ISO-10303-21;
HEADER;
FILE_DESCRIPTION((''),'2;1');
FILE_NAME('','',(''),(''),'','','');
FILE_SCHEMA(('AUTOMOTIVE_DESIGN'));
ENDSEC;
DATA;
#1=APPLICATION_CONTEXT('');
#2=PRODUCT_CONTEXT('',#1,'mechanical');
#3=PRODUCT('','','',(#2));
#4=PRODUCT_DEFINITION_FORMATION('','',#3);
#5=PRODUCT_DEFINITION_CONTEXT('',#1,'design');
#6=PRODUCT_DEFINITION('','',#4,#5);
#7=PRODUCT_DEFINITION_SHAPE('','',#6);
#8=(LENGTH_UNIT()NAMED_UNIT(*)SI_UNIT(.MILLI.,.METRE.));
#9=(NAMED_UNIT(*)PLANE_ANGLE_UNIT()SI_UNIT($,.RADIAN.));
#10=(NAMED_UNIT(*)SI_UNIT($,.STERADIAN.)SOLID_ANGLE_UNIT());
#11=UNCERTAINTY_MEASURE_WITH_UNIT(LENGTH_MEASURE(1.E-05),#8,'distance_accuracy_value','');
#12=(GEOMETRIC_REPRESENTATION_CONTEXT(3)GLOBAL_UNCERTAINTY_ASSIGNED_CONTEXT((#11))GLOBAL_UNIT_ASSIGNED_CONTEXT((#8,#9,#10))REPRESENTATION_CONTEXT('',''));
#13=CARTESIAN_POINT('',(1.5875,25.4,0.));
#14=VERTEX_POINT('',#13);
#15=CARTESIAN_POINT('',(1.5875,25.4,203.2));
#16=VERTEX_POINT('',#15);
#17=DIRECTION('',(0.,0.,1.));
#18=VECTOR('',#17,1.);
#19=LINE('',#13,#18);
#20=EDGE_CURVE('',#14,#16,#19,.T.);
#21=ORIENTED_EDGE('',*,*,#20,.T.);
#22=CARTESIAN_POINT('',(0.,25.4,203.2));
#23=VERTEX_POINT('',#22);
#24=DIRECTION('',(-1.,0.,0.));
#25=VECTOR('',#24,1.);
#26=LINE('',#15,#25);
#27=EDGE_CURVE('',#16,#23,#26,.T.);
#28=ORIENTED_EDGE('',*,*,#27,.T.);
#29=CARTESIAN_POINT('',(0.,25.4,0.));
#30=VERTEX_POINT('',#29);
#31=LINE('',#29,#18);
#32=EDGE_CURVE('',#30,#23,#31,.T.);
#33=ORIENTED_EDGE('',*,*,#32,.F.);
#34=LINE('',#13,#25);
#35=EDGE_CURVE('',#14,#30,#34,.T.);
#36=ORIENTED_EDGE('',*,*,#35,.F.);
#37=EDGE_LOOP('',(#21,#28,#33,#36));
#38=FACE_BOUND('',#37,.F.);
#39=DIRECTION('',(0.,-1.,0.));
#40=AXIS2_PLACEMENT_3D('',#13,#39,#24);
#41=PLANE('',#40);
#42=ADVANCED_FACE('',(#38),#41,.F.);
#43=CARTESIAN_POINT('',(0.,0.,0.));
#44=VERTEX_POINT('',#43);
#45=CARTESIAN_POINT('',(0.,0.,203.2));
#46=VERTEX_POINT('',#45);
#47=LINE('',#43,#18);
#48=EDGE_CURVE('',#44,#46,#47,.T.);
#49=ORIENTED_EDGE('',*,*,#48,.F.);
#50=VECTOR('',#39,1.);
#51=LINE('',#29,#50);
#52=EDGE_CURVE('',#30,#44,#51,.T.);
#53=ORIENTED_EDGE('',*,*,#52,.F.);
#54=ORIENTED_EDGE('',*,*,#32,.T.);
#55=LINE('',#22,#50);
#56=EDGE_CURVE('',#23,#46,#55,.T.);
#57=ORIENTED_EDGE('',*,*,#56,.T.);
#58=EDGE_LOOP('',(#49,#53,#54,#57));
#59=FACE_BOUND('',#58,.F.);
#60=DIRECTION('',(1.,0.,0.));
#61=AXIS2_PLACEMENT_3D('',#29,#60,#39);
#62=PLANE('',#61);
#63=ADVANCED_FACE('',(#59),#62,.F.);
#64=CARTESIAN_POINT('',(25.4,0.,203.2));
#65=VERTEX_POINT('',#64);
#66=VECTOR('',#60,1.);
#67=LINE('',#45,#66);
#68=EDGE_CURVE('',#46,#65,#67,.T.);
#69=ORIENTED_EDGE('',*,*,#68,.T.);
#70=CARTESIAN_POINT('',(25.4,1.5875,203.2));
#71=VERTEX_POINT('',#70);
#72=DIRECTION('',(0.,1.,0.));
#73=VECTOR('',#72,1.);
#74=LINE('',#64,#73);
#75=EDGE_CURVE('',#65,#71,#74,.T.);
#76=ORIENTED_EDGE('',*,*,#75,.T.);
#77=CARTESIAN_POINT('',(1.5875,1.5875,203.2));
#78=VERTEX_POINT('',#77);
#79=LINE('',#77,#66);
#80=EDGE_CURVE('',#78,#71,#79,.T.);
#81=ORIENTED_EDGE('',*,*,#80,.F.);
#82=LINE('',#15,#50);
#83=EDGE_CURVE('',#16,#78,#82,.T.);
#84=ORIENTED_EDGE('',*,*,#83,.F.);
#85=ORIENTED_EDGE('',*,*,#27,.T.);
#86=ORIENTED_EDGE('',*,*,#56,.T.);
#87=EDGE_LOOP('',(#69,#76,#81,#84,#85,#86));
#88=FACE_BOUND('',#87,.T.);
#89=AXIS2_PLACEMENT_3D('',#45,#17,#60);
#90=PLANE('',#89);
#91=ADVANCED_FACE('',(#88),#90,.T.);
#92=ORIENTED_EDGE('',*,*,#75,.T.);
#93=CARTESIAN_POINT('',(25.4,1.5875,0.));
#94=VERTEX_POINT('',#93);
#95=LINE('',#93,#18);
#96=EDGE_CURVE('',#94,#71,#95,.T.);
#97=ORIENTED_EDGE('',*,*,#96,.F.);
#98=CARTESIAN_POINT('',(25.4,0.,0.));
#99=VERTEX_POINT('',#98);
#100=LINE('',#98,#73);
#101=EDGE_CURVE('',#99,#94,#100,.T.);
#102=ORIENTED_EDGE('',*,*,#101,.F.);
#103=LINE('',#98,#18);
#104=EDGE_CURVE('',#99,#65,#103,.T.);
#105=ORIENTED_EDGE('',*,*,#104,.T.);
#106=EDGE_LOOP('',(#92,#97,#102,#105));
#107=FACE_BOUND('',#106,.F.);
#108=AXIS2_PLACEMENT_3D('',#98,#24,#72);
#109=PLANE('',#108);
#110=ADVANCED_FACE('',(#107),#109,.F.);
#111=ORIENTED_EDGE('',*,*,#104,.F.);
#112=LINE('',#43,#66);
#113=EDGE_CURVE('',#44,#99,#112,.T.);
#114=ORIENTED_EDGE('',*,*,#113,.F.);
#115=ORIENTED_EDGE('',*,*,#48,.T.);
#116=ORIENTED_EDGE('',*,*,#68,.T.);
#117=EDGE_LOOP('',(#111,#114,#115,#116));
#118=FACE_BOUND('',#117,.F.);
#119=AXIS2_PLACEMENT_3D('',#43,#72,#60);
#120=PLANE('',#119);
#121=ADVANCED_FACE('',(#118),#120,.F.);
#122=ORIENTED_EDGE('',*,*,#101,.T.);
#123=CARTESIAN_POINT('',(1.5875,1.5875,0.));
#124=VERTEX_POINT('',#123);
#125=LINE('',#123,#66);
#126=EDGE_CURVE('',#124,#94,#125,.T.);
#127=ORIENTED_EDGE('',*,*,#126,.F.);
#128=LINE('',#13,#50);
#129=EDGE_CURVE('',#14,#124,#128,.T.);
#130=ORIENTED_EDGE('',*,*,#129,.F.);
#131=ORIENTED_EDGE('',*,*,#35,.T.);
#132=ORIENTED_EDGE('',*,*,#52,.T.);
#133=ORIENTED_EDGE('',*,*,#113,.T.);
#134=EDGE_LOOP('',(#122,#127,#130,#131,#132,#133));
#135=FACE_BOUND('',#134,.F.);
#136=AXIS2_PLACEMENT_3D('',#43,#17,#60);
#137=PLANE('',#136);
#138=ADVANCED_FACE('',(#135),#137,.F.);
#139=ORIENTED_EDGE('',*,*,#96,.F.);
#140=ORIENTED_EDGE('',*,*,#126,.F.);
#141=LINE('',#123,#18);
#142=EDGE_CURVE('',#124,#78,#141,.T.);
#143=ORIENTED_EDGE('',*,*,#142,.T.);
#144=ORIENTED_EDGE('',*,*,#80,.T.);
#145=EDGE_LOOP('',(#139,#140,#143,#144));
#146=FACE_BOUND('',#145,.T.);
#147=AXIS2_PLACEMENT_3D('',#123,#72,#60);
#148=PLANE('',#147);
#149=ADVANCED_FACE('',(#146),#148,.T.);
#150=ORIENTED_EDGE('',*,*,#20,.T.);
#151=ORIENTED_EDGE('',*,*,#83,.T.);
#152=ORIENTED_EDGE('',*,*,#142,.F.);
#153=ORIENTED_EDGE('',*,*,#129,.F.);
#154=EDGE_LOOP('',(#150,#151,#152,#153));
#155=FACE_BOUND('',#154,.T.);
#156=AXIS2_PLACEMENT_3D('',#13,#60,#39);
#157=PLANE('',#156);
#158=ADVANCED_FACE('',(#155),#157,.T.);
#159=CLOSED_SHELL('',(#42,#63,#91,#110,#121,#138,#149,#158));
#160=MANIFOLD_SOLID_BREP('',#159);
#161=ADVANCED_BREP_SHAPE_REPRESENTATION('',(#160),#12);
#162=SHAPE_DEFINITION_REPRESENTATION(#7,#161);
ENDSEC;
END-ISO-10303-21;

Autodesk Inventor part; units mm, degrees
ref_plane "YZ Plane" through (0, 0, 0) normal (1, 0, 0) x (0, 1, 0)
ref_plane "XZ Plane" through (0, 0, 0) normal (0, 1, 0) x (-1, 0, 0)
ref_plane "XY Plane" through (0, 0, 0) normal (0, 0, 1) x (1, 0, 0)
sketch "Sketch1" plane through (0, 0, 0) normal (0, 0, 1) x (1, 0, 0)
  line L0 (0, 0) -> (25.4, 0)
  line L1 (25.4, 0) -> (25.4, 1.5875)
  line L2 (1.5875, 25.4) -> (0, 25.4)
  line L3 (0, 25.4) -> (0, 0)
  line L4 (1.5875, 25.4) -> (1.5875, 1.5875)
  line L5 (1.5875, 1.5875) -> (25.4, 1.5875)
  dimension "d0" = 25.4
  dimension "d1" = 25.4
  dimension "d2" = 1.5875
  dimension "d3" = 1.5875
extrude "Extrusion1" add sketch "Sketch1" along normal blind 203.2
equation "\"d2\" = d3"
properties part number "front L"
